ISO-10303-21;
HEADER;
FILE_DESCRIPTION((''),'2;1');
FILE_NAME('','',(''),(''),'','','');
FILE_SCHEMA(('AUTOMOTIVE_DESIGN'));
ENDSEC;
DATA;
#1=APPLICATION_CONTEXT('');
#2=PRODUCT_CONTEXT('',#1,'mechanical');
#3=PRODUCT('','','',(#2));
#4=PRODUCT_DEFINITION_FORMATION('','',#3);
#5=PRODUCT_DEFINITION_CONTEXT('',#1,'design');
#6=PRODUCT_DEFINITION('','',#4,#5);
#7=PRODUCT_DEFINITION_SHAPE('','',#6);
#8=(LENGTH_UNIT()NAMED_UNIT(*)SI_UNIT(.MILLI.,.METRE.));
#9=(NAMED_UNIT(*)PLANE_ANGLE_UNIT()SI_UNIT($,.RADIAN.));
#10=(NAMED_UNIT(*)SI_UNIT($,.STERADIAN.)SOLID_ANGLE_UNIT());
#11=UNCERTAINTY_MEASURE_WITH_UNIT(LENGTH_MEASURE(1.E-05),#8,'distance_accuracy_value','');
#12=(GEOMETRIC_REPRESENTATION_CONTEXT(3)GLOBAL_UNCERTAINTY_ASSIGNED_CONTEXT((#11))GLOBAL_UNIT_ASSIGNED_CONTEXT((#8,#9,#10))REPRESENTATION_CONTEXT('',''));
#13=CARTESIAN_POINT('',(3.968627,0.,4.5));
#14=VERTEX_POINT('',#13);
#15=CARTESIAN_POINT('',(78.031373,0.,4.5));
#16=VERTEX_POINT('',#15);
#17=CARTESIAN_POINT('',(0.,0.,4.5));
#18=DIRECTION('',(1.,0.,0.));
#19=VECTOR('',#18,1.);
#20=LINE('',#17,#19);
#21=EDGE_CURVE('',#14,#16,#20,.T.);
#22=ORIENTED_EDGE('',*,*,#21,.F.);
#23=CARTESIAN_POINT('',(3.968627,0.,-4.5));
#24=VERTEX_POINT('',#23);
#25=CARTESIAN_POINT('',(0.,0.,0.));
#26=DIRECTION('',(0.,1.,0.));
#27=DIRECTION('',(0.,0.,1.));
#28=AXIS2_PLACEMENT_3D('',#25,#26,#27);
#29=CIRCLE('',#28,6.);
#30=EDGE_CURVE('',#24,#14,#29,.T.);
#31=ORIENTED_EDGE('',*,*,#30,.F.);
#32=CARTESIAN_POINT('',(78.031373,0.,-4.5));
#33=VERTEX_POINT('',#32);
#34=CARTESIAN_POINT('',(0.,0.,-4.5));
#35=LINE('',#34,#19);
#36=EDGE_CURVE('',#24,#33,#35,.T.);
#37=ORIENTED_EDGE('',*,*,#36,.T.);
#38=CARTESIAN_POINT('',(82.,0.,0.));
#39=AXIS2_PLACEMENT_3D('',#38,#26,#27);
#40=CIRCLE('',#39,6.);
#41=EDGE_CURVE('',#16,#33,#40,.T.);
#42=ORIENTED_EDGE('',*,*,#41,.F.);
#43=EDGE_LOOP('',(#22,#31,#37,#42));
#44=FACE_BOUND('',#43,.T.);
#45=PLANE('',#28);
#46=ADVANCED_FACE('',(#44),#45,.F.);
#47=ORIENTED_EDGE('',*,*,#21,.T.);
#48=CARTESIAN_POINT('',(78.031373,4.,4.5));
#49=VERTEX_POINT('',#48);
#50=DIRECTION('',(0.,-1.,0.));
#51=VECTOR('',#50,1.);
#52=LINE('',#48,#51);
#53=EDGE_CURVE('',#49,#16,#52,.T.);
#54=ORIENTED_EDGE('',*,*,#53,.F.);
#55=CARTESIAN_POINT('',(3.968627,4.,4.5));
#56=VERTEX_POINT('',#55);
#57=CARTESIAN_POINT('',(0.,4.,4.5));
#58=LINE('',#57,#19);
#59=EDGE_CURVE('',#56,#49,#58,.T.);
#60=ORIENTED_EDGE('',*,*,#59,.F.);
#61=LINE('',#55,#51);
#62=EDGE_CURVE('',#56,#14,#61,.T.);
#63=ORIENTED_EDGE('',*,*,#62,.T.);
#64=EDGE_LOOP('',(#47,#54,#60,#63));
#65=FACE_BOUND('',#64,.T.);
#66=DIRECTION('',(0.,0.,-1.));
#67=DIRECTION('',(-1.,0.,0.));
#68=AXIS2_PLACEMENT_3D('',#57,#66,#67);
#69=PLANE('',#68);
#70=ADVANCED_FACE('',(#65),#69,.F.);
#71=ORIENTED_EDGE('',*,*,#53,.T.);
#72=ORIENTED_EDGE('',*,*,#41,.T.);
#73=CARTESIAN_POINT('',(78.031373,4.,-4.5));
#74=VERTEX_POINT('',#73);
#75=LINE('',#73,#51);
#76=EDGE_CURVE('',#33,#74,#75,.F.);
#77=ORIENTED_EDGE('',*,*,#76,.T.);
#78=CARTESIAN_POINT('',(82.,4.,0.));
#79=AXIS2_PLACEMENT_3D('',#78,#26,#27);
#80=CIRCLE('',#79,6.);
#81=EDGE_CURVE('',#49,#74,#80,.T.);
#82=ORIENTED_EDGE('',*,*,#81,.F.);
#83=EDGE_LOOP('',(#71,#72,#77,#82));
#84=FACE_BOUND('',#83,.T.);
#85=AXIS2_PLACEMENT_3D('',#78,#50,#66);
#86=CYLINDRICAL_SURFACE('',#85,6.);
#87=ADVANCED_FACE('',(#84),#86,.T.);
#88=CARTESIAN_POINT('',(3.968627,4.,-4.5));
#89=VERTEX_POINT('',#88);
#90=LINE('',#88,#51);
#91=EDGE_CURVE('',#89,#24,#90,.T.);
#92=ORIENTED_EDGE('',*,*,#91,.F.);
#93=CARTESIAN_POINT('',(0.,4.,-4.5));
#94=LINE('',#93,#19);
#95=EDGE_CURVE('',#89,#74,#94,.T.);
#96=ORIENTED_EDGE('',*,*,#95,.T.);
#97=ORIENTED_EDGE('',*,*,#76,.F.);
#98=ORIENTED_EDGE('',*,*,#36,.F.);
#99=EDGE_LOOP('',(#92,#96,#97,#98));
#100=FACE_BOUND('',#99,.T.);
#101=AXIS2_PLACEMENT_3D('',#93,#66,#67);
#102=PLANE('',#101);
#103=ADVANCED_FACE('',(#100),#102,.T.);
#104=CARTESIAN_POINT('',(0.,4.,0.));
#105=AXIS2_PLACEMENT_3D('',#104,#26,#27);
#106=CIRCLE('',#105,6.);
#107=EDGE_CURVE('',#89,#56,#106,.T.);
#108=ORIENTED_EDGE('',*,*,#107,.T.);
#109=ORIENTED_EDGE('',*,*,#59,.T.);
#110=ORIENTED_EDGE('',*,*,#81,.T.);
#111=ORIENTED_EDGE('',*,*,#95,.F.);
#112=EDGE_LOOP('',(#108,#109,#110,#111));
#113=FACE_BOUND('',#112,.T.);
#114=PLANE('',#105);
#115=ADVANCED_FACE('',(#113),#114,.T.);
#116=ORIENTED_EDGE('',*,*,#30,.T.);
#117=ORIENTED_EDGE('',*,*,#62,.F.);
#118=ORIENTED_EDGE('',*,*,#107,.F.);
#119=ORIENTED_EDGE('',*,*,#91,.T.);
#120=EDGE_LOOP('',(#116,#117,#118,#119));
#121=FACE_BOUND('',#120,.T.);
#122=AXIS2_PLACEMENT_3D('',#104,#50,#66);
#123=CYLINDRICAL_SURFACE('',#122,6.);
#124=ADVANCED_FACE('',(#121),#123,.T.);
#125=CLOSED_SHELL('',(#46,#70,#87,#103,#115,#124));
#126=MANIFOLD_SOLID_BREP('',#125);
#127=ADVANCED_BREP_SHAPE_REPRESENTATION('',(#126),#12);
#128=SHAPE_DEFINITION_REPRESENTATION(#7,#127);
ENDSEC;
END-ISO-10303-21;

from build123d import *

# Parameters (mm, degrees)
SKETCH_1_R      = 6
EXTRUDE_1_DEPTH = 4


with BuildPart() as part:
    # 草图1 → 凸台-拉伸1 (new body)
    with BuildSketch(Plane(origin=(0, 0, 0), x_dir=(1, 0, 0), z_dir=(0, 1, 0))):
        Circle(SKETCH_1_R)
        with Locations((82, 0)):
            Circle(SKETCH_1_R)
        with BuildLine():
            Line((0, 4.5), (82, 4.5))
            ThreePointArc((82, 4.5), (86.5, 0), (82, -4.5))
            Line((82, -4.5), (0, -4.5))
            ThreePointArc((0, -4.5), (-4.5, 0), (0, 4.5))
        make_face()
    extrude(amount=EXTRUDE_1_DEPTH)


solid = part.part
